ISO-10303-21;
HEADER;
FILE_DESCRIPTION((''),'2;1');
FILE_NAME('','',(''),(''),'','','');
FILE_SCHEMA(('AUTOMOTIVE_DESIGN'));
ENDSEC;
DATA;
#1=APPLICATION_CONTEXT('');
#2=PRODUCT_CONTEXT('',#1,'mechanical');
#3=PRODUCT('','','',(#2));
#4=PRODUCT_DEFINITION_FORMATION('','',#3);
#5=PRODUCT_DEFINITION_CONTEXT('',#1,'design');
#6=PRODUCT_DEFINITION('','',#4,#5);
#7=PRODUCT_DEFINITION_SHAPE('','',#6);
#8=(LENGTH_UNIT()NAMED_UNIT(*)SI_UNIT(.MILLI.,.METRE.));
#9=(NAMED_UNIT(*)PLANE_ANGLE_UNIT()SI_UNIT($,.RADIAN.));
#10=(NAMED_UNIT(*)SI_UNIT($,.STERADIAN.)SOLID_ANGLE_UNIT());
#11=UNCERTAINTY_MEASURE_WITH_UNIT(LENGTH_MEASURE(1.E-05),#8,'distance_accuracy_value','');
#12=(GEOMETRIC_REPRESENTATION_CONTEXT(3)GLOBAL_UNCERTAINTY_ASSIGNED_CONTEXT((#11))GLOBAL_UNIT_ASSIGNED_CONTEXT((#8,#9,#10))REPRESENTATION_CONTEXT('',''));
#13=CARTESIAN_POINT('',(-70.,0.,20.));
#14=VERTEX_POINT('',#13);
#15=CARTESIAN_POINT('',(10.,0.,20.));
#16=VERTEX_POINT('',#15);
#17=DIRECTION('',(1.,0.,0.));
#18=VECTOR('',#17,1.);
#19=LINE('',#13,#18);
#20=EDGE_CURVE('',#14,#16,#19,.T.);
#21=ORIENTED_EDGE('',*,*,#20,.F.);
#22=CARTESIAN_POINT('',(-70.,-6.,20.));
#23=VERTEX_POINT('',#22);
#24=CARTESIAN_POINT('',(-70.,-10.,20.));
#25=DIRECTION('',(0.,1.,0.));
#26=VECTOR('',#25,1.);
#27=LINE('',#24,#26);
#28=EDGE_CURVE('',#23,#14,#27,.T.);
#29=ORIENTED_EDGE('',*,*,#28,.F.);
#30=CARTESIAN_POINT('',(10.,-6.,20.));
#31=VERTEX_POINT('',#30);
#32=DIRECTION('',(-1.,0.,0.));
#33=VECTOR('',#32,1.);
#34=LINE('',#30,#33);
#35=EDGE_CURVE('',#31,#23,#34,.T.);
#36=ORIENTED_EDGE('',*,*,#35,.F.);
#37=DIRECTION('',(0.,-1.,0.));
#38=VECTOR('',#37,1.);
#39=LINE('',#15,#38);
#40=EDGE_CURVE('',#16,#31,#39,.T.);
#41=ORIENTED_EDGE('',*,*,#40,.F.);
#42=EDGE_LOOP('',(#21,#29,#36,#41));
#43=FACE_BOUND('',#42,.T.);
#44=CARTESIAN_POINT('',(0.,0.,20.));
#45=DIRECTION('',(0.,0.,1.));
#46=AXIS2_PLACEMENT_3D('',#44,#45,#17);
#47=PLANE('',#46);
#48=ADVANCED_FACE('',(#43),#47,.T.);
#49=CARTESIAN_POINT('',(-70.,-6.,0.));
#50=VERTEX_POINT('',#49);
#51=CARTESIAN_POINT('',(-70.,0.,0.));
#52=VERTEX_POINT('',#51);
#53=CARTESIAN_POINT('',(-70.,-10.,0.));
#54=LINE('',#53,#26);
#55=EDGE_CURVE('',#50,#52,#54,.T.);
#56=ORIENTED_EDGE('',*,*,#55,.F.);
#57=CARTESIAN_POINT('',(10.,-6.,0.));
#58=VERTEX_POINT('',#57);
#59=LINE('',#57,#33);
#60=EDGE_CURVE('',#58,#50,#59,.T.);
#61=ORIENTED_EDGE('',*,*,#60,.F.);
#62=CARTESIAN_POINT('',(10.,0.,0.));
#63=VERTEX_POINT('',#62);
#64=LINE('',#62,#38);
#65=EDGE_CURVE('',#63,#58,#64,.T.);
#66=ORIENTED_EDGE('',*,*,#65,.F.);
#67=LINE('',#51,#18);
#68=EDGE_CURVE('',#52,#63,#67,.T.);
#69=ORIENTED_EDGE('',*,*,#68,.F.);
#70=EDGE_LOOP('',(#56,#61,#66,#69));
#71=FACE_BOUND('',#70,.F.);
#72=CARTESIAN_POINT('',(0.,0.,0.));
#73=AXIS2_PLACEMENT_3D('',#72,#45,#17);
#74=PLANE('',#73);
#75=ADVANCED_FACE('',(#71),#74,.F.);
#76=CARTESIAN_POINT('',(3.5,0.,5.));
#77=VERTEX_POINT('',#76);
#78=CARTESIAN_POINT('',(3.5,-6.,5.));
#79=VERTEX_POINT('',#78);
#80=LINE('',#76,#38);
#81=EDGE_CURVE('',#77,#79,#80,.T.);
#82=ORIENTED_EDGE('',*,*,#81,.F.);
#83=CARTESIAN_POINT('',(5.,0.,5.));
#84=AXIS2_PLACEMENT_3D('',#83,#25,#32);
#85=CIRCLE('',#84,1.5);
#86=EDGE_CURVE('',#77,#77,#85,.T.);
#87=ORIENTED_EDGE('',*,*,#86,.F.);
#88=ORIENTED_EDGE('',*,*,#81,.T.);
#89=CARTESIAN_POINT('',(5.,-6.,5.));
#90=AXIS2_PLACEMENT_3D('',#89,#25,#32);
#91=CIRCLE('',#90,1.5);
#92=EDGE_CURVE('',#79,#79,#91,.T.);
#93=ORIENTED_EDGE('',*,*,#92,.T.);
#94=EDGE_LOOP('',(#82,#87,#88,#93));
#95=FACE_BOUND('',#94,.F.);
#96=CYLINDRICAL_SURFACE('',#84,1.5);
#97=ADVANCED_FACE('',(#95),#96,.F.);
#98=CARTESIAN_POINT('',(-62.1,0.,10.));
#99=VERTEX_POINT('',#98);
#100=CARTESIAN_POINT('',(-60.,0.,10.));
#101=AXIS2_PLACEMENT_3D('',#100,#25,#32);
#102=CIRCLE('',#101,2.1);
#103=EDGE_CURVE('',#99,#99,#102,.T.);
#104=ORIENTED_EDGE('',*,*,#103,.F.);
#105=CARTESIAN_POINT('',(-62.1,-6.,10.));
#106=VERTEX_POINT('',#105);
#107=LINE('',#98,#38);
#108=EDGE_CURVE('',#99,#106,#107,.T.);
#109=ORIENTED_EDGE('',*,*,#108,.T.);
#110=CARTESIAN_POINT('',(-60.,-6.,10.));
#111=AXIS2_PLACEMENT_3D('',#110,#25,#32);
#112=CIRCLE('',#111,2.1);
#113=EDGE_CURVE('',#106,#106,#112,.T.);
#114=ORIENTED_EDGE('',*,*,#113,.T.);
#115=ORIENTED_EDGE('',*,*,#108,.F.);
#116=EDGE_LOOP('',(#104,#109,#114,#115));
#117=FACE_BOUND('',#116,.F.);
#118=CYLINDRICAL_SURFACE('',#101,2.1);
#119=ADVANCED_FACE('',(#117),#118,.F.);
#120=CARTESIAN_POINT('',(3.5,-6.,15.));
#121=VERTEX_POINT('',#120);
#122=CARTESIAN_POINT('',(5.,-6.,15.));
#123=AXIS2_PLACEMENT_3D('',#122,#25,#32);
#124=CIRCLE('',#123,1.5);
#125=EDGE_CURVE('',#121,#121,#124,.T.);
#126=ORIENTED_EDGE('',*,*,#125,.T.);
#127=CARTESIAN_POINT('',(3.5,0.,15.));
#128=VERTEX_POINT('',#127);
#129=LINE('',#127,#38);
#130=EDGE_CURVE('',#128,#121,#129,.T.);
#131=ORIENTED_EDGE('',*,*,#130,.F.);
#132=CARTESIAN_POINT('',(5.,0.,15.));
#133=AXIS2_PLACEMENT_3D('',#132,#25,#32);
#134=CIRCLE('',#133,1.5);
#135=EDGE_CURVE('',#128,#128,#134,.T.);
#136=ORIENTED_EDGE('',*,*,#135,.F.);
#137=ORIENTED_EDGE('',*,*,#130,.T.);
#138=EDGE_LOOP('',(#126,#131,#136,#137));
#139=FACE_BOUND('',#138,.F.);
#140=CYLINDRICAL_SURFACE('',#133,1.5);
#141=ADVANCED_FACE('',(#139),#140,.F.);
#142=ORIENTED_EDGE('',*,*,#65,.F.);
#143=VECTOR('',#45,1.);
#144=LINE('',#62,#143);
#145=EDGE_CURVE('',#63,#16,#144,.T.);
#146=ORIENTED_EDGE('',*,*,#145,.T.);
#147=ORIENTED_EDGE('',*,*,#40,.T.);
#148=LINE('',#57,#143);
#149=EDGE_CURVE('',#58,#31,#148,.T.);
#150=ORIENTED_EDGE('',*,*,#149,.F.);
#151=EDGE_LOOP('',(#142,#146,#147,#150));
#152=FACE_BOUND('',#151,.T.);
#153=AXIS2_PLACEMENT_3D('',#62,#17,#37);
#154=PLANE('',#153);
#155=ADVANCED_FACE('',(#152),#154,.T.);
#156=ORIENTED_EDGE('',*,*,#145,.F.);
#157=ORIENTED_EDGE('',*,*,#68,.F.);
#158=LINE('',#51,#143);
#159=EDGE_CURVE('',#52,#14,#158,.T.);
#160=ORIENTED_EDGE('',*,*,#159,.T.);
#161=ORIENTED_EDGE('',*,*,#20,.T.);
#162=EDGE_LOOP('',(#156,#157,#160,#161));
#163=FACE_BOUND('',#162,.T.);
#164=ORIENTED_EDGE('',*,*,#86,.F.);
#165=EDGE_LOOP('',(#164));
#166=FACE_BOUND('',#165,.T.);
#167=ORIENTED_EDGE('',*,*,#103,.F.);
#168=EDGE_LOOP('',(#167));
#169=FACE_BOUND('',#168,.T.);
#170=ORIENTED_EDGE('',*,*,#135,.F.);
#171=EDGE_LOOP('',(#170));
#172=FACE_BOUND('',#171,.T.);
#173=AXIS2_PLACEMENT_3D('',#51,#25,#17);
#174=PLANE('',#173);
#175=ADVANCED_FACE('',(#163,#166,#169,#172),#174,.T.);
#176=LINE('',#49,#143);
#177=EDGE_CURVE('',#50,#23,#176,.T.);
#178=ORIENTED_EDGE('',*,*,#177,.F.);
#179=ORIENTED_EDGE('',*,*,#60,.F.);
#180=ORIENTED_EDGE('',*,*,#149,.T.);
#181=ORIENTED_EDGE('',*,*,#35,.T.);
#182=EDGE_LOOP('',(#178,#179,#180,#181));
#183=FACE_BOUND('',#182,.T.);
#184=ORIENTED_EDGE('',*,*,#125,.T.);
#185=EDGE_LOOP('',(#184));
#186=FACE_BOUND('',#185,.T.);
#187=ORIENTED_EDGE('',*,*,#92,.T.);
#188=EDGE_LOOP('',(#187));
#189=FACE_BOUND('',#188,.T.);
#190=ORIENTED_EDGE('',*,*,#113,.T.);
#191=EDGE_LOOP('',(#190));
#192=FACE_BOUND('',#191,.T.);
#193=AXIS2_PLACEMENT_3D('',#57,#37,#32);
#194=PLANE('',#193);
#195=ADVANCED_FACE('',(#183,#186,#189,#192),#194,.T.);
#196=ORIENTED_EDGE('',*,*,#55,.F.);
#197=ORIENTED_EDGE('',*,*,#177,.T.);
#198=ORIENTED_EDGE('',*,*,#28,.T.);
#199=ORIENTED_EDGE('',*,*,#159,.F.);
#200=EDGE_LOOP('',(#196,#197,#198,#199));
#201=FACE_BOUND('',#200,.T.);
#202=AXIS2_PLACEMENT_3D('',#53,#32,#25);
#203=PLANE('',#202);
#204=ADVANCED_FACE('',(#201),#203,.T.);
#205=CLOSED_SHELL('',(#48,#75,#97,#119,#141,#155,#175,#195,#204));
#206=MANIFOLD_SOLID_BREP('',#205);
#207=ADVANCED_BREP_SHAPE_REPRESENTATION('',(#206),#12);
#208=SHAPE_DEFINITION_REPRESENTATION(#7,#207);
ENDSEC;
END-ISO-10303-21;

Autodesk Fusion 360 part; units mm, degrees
sketch "スケッチ1" plane through (0, 0, 0) normal (0, 0, 1) x (1, 0, 0)
  line L0 (10, -10) -> (-70, -10)
  line L1 (-70, -10) -> (-70, 0)
  line L2 (-70, 0) -> (10, 0)
  line L3 (10, 0) -> (10, -10)
extrude "押し出し1" add sketch "スケッチ1" along normal blind 20
sketch "スケッチ2" plane through (0, 0, 0) normal (0, 1, 0) x (-1, 0, 0)
  line L0 (-10, 0) -> (70, 0)
  line L1 (70, 0) -> (70, 20)
  line L2 (70, 20) -> (-10, 20)
  line L3 (-10, 20) -> (-10, 0)
  circle A0 centre (60, 10) radius 2.1
extrude "押し出し2" cut sketch "スケッチ2" against normal blind 10 contours A0
extrude "押し出し3" cut 1 faces at (-12.6333, -10, 10) along direction (0, 1, 0) blind 4
sketch "スケッチ3" plane through (0, 0, 0) normal (0, 1, 0) x (-1, 0, 0)
  circle A0 centre (60, 10) radius 2.1
  line L0 (-10, 0) -> (70, 0)
  line L1 (70, 0) -> (70, 20)
  line L2 (70, 20) -> (-10, 20)
  line L3 (-10, 20) -> (-10, 0)
  circle A1 centre (-5, 15) radius 1.5
  circle A2 centre (-5, 5) radius 1.5
extrude "押し出し4" cut sketch "スケッチ3" against normal blind 6 contours A1 | A2
